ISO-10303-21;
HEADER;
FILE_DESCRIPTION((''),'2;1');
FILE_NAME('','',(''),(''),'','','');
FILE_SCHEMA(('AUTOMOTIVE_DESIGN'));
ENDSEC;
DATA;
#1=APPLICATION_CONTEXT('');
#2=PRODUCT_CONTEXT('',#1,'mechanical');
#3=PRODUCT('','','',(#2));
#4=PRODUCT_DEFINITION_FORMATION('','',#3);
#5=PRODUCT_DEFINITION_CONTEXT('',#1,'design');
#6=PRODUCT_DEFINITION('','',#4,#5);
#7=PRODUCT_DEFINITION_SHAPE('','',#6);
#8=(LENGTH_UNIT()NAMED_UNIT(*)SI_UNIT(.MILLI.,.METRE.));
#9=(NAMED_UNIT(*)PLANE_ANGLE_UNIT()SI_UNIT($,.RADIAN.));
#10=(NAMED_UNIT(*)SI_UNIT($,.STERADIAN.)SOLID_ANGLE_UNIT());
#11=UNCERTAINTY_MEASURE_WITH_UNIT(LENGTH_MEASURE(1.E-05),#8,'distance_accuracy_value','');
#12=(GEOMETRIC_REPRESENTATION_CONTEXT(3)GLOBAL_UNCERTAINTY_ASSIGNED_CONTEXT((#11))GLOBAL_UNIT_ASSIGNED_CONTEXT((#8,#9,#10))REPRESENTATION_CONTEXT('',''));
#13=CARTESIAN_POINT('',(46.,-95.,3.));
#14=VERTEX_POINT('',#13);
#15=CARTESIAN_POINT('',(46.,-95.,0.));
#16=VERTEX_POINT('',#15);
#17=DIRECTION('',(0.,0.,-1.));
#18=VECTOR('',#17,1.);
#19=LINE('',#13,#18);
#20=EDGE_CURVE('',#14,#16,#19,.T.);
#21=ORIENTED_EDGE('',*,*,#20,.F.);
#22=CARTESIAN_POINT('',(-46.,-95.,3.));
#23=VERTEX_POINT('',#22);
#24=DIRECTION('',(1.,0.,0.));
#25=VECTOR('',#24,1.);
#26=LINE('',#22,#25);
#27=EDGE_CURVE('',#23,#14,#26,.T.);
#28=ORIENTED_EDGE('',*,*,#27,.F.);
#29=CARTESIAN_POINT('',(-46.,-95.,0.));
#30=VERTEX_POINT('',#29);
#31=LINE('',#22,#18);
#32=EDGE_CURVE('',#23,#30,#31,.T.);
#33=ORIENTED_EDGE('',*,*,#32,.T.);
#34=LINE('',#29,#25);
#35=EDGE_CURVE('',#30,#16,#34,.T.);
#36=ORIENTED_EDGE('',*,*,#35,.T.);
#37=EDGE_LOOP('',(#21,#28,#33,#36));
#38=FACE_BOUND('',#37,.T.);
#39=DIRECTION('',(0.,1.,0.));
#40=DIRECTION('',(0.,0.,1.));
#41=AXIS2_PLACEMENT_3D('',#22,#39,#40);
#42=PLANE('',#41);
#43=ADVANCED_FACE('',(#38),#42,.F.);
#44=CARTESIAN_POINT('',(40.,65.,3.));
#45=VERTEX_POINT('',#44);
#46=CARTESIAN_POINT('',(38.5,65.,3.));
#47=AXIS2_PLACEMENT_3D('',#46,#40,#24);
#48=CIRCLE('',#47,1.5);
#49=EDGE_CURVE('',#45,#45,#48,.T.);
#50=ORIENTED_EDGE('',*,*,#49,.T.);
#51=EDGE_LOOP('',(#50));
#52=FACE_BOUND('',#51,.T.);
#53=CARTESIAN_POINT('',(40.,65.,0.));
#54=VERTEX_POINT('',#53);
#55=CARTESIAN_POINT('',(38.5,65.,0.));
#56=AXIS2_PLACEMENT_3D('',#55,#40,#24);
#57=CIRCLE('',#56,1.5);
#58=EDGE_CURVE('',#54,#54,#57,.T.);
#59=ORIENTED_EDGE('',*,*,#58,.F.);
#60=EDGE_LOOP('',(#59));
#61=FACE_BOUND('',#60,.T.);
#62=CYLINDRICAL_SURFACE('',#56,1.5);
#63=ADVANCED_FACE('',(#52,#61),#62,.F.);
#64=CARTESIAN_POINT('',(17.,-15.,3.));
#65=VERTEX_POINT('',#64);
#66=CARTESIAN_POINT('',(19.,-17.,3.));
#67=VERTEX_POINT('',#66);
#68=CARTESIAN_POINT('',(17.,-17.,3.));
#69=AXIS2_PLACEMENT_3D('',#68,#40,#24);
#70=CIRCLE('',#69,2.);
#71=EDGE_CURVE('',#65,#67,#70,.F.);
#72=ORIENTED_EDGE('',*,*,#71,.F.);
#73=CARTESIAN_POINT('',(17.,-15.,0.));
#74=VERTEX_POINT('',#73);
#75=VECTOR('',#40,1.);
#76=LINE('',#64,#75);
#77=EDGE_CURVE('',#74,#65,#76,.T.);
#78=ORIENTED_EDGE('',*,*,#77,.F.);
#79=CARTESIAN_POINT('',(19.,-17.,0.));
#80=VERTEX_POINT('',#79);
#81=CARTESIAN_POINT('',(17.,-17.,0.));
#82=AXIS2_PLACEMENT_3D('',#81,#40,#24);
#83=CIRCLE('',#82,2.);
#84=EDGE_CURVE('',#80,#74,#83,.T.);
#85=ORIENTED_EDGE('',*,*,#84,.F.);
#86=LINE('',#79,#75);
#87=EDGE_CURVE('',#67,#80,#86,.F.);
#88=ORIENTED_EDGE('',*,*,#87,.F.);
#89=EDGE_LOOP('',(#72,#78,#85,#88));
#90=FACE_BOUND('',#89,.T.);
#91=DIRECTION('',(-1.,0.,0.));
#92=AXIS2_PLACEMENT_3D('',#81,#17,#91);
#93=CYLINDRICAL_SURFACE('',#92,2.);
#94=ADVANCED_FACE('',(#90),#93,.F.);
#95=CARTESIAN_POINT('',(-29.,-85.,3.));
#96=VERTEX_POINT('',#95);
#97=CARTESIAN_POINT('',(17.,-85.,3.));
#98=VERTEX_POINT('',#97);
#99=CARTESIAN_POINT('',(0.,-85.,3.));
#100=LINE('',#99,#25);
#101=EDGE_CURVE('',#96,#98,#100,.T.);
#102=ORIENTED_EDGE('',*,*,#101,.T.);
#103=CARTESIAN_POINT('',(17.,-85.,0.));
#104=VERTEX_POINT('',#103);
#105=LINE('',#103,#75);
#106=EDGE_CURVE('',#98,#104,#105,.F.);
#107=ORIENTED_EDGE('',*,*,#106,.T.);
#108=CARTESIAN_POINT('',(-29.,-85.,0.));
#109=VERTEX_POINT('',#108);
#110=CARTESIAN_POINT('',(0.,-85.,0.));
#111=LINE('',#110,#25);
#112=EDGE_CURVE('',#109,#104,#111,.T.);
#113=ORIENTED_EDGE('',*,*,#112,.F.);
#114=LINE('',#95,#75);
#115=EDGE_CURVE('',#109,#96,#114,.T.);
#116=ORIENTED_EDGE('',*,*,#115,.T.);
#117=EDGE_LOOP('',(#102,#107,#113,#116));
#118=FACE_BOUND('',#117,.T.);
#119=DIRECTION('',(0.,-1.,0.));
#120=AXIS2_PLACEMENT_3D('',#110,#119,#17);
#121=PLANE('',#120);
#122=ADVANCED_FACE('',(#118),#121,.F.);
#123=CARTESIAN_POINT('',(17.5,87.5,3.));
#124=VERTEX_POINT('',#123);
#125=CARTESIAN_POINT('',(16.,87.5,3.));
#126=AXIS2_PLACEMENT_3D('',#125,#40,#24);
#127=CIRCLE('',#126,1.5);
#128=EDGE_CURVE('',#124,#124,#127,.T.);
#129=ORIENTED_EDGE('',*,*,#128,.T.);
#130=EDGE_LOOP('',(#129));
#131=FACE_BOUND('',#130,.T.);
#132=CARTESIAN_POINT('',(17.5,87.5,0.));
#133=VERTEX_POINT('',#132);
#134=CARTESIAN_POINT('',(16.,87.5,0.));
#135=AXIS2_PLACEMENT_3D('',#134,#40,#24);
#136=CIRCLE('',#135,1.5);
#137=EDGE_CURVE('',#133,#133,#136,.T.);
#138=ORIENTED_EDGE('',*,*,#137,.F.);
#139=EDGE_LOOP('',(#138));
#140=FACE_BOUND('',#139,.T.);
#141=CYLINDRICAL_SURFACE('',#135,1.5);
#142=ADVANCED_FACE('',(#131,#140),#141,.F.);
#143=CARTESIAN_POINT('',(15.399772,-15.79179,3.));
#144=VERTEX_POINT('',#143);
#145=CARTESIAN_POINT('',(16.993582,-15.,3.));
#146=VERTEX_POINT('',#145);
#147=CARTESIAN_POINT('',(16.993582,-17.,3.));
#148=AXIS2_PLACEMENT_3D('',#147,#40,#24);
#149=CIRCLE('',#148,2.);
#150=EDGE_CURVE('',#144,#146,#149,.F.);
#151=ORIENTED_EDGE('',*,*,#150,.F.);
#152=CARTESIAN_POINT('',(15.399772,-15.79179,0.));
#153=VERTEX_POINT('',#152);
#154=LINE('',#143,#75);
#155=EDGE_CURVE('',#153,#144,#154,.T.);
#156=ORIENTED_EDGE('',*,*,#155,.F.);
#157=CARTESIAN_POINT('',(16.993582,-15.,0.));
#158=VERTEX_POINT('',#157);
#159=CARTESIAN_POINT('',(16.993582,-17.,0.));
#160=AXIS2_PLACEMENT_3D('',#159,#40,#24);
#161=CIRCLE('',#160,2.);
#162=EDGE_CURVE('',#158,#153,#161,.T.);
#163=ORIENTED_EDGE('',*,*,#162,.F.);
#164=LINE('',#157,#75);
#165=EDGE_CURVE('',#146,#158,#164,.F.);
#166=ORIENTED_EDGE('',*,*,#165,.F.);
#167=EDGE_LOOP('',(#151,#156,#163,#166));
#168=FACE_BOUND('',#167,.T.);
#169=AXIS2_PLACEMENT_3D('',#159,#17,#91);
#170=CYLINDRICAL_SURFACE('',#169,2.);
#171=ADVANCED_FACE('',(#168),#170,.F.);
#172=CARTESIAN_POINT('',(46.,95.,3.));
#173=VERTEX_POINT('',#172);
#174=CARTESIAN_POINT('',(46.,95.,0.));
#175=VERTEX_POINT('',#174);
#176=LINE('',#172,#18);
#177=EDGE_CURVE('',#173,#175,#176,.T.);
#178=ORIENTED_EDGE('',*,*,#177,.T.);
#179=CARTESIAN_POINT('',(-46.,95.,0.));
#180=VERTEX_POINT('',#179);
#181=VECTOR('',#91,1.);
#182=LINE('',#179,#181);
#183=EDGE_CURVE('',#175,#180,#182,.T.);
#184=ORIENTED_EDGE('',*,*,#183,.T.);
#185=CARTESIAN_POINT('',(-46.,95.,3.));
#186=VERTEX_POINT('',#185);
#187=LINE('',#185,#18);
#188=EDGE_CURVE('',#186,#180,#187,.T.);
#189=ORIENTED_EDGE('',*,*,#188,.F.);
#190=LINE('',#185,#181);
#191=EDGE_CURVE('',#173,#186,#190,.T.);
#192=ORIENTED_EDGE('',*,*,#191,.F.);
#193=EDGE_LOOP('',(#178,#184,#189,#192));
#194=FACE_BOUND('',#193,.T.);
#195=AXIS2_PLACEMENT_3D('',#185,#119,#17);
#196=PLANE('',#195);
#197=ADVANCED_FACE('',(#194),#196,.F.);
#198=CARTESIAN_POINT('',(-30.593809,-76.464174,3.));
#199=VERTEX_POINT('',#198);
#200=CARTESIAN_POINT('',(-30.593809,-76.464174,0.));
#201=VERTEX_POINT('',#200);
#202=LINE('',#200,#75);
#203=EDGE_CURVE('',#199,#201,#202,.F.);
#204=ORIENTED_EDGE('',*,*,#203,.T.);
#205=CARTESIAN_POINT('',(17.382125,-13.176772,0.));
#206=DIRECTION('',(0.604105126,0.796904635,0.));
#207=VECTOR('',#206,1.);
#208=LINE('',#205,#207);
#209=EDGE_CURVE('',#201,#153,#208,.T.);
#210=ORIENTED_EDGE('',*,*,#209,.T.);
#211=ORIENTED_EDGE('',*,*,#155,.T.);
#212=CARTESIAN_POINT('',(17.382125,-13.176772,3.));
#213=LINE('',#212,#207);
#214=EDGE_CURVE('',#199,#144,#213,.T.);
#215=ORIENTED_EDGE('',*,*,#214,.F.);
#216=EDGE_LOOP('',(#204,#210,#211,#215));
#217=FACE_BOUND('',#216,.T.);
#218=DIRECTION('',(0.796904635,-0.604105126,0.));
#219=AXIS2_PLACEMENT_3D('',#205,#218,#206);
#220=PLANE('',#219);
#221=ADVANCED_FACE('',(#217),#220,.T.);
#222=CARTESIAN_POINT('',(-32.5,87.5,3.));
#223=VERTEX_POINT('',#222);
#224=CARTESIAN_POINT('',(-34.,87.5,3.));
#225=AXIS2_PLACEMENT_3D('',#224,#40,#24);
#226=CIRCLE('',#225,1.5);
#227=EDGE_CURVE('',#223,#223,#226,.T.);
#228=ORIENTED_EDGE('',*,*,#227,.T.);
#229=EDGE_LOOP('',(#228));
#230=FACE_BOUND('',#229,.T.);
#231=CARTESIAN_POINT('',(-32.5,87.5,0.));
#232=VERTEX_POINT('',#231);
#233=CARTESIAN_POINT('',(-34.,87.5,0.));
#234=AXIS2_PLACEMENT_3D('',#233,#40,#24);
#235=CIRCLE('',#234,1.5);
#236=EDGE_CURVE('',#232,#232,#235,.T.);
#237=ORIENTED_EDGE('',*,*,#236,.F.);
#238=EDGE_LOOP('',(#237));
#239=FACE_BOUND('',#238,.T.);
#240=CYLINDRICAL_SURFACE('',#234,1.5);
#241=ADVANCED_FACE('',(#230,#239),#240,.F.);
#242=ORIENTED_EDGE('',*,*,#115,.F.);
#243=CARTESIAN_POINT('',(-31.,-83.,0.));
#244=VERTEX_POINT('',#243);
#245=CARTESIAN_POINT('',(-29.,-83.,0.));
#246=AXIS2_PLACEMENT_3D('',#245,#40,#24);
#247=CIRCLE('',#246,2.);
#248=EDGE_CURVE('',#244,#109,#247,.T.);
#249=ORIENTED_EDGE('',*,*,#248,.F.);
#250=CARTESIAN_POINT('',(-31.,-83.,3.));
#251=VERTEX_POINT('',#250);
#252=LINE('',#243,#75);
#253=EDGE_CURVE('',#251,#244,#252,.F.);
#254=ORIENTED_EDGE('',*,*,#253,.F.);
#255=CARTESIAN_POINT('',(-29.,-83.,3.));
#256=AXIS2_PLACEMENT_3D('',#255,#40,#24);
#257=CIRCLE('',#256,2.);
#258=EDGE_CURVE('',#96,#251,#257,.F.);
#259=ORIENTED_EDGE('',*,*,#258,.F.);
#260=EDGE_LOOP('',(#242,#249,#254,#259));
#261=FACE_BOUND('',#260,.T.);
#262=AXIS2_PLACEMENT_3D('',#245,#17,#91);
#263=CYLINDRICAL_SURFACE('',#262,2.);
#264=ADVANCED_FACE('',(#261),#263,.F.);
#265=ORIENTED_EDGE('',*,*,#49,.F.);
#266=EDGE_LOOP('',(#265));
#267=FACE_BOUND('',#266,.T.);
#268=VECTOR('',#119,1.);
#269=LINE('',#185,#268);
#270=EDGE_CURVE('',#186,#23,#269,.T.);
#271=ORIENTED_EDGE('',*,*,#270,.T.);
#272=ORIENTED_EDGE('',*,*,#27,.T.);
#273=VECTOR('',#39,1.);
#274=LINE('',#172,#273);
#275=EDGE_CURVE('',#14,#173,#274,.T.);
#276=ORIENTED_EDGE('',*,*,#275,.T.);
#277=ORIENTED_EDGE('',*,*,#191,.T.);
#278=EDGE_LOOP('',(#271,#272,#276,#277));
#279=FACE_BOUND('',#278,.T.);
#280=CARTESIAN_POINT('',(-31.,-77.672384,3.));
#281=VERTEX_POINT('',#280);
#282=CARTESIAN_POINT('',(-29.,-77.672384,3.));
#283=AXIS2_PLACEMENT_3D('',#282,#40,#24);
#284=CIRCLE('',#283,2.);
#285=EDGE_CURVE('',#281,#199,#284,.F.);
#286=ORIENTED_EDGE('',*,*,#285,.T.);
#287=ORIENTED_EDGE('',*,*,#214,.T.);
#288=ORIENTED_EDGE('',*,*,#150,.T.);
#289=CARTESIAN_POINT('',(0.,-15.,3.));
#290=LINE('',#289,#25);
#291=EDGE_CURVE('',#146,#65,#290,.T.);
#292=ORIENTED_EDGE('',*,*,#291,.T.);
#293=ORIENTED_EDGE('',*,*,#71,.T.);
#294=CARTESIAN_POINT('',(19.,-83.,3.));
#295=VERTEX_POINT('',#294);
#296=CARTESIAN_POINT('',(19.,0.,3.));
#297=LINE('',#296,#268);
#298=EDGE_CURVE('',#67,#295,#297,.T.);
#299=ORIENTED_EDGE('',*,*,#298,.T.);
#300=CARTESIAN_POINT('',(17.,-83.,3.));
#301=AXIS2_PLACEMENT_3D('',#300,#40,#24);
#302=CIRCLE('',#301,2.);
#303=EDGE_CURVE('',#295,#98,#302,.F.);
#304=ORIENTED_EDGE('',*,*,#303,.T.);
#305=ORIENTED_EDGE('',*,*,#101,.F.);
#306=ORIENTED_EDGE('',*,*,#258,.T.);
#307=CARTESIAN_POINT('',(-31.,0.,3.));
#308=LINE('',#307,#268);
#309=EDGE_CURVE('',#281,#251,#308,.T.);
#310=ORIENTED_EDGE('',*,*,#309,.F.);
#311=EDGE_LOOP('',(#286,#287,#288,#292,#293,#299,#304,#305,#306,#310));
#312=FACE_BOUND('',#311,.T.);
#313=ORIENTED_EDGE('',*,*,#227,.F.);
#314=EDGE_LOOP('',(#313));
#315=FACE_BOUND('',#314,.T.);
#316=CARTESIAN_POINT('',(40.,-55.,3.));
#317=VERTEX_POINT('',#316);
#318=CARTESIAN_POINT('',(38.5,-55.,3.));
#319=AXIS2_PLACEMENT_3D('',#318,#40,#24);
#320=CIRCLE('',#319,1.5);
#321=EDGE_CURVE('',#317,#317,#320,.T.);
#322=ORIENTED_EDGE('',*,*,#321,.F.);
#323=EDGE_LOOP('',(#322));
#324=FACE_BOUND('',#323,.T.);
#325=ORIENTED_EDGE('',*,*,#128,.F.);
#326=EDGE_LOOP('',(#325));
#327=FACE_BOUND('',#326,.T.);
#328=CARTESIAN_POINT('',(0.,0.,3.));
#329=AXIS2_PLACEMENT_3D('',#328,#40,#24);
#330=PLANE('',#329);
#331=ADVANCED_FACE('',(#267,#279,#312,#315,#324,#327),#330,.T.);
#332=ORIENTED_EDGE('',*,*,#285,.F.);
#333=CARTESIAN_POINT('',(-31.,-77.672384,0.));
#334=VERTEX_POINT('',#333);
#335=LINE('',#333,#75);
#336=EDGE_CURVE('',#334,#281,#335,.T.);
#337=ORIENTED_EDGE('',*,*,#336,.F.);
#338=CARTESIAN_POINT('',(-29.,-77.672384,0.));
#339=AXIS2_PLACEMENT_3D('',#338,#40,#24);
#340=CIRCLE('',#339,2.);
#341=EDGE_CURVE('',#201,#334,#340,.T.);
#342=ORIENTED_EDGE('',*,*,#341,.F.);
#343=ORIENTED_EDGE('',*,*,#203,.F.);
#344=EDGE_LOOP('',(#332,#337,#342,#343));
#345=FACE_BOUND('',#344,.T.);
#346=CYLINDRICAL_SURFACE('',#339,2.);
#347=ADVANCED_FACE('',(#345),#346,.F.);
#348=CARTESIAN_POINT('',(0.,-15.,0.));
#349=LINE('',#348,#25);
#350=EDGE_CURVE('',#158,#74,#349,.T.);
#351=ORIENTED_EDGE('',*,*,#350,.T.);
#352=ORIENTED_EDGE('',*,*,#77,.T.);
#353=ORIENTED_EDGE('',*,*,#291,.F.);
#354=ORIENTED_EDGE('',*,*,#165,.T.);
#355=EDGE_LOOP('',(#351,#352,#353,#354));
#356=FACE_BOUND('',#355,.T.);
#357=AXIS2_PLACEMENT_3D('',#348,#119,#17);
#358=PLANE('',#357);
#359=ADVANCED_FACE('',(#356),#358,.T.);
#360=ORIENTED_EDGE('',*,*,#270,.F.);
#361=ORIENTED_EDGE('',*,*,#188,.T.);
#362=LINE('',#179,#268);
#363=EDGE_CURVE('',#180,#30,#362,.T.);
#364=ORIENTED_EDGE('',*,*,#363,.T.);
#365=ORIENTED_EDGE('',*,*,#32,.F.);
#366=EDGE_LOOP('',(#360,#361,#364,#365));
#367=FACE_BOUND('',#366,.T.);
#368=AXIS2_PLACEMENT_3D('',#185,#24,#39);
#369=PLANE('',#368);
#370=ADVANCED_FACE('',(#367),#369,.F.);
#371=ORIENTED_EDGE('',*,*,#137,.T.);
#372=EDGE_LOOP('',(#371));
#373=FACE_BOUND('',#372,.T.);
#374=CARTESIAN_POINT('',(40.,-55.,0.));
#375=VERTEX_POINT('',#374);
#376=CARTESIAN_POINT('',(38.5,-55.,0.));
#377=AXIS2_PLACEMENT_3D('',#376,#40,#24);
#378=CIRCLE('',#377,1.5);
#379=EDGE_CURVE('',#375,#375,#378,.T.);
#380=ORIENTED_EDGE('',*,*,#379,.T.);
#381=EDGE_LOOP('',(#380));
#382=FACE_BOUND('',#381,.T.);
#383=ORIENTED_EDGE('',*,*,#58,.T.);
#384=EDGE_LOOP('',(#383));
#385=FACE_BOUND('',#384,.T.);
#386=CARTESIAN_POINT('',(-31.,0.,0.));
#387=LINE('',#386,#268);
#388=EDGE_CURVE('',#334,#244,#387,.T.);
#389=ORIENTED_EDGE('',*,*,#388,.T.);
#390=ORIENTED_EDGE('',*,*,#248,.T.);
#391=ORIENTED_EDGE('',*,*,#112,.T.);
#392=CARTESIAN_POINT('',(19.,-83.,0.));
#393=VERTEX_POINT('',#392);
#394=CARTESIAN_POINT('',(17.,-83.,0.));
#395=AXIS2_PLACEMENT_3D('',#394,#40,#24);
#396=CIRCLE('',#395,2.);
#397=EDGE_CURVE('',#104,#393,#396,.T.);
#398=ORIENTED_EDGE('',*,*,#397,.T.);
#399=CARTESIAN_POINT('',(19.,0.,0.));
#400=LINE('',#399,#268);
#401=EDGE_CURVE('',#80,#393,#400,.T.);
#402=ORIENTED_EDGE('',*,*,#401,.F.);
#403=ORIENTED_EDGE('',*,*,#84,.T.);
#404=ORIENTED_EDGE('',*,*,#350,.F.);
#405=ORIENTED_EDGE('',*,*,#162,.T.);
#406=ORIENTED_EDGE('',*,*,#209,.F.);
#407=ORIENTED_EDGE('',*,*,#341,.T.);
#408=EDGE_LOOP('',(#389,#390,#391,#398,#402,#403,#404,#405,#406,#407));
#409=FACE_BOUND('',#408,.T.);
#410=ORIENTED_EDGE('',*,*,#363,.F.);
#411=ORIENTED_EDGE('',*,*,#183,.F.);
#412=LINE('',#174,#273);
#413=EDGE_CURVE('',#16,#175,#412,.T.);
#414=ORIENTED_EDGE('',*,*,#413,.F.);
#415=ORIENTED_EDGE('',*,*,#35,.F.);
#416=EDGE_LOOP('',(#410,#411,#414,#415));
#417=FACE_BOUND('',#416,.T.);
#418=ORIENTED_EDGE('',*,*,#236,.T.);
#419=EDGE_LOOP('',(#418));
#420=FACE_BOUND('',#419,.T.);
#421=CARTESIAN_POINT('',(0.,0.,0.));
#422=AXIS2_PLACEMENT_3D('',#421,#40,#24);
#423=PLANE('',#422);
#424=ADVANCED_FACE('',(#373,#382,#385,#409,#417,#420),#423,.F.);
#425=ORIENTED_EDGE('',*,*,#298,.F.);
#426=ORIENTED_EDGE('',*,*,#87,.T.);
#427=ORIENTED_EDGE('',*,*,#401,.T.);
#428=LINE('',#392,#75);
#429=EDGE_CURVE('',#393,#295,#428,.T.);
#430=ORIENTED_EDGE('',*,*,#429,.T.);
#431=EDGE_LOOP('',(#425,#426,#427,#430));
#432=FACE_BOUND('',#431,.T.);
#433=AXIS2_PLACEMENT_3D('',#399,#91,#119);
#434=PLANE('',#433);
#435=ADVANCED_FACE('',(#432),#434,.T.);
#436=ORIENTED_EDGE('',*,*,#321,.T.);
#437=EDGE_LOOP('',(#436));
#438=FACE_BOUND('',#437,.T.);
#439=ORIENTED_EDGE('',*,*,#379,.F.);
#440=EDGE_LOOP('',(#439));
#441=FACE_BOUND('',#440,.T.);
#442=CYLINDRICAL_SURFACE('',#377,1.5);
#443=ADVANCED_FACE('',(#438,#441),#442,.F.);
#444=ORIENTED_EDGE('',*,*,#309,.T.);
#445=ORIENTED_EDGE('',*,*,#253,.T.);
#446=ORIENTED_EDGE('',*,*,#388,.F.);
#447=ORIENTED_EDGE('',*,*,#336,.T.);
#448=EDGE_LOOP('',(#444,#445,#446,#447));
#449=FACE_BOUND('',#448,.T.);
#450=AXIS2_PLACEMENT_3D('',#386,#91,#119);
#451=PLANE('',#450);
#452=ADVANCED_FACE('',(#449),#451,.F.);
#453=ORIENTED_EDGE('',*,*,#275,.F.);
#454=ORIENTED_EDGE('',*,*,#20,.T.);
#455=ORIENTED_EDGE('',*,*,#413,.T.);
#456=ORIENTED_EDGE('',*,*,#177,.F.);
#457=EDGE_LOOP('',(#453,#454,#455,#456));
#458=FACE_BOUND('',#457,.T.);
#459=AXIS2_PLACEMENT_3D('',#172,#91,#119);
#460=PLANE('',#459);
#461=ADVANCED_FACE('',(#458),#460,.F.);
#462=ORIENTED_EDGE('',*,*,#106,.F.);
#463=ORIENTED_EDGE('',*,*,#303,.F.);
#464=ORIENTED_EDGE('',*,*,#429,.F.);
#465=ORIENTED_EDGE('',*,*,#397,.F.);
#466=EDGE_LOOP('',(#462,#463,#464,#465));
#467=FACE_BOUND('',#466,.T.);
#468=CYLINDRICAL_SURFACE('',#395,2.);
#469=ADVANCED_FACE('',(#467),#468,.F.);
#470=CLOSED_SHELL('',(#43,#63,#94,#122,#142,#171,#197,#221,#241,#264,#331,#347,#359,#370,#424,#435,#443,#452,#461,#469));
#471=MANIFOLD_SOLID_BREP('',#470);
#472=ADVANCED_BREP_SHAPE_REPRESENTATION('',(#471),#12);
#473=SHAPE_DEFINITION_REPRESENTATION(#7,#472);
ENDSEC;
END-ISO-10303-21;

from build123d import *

# Parameters (mm, degrees)
SKETCH_1_W          = 92
SKETCH_1_H          = 190
EXTRUDE_1_DEPTH     = 3
SKETCH_2_R          = 1.5
CUT_EXTRUDE_1_DEPTH = 106.59356041
CUT_EXTRUDE_2_DEPTH = 106.59356041
FILLET_2_R          = 2


with BuildPart() as part:
    # 草图1 → 凸台-拉伸1 (new body)
    with BuildSketch(Plane.XY):
        Rectangle(SKETCH_1_W, SKETCH_1_H)
    extrude(amount=EXTRUDE_1_DEPTH)

    # 草图2 → 切除-拉伸1 (cut, through all)
    with BuildSketch(Plane.XY.offset(3)):
        with Locations((-34, 87.5)):
            Circle(SKETCH_2_R)
        with Locations((16, 87.5)):
            Circle(SKETCH_2_R)
        with Locations((38.5, 65)):
            Circle(SKETCH_2_R)
        with Locations((38.5, -55)):
            Circle(SKETCH_2_R)
    extrude(amount=-CUT_EXTRUDE_1_DEPTH, mode=Mode.SUBTRACT)

    # 草图3 → 切除-拉伸2 (cut, through all)
    with BuildSketch(Plane.XY.offset(3)):
        Polygon((19, -15), (16, -15), (-31, -77), (-31, -85), (19, -85), align=None)
    extrude(amount=-CUT_EXTRUDE_2_DEPTH, mode=Mode.SUBTRACT)

    # 圆角2
    fillet_2_edges = [part.edges().sort_by_distance(p)[0] for p in [
        (-31, -77, 1.5),
        (16, -15, 1.5),
        (19, -15, 1.5),
        (19, -85, 1.5),
        (-31, -85, 1.5),
    ]]
    fillet(fillet_2_edges, radius=FILLET_2_R)


solid = part.part
